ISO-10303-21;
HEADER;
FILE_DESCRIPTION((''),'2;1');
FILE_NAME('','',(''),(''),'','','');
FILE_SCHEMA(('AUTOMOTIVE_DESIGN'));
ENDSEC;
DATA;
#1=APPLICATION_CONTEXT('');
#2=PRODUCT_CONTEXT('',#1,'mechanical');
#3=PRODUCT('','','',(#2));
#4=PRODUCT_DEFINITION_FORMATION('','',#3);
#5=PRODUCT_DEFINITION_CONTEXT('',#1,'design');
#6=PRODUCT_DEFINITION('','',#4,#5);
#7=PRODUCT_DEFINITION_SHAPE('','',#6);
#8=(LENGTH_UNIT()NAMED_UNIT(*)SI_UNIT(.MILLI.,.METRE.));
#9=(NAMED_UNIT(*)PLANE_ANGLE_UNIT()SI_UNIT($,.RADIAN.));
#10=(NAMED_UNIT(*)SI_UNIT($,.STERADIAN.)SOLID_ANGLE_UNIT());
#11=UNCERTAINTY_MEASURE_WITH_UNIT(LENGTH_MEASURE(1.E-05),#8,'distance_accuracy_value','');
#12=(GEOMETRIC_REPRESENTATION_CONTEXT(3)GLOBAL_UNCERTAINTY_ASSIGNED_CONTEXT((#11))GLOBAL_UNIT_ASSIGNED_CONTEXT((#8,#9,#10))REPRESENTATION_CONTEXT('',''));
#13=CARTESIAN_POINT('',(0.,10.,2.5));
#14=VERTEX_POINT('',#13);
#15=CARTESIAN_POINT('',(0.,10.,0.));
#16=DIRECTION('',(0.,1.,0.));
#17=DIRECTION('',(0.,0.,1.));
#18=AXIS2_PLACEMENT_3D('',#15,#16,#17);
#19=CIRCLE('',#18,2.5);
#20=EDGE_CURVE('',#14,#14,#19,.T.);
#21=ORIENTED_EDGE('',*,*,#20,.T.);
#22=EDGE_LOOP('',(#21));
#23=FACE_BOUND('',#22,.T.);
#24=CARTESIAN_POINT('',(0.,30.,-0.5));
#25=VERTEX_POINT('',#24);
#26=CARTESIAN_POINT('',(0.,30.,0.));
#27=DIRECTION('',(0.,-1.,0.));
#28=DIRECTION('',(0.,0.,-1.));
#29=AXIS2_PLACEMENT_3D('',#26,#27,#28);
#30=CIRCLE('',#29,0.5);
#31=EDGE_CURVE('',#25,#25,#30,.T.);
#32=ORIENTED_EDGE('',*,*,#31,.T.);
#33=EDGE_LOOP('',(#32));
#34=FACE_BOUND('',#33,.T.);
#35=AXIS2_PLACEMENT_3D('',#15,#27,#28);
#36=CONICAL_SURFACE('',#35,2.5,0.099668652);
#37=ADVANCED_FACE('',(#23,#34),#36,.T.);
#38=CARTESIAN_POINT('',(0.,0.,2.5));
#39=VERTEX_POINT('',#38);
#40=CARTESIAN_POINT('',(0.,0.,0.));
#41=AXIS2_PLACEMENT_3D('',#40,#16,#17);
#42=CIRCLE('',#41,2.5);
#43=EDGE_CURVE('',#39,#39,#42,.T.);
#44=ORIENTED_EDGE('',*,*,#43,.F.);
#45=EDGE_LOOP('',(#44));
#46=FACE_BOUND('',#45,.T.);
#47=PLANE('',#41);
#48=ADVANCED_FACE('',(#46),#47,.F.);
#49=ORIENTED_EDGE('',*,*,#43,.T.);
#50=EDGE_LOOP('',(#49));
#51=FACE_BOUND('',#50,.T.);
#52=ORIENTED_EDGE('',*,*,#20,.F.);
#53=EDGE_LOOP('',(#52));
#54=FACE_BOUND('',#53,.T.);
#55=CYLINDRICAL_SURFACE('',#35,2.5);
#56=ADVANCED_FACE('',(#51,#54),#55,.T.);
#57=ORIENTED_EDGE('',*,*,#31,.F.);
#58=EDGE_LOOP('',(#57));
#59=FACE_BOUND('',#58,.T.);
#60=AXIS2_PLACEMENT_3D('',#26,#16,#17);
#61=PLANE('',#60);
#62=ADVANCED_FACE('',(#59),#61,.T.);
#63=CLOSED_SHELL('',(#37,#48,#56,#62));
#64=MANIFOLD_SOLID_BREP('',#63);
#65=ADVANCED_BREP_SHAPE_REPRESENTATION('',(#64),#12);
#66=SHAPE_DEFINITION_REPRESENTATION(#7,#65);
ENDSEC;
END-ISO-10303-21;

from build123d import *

# Parameters (mm, degrees)
SKETCH1_R           = 2.5
BOSS_EXTRUDE1_DEPTH = 10


with BuildPart() as part:
    # Sketch1 → Boss-Extrude1 (new body)
    with BuildSketch(Plane(origin=(0, 0, 0), x_dir=(1, 0, 0), z_dir=(0, 1, 0))):
        Circle(SKETCH1_R)
    extrude(amount=BOSS_EXTRUDE1_DEPTH)

    # Sketch3 → Revolve1 (revolve)
    with BuildSketch(Plane.XY):
        Polygon((0, 30), (0.5, 30), (2.5, 10), (0, 10), align=None)
    revolve(axis=Axis((0, 10, 0), (0, 1, 0)))


solid = part.part
